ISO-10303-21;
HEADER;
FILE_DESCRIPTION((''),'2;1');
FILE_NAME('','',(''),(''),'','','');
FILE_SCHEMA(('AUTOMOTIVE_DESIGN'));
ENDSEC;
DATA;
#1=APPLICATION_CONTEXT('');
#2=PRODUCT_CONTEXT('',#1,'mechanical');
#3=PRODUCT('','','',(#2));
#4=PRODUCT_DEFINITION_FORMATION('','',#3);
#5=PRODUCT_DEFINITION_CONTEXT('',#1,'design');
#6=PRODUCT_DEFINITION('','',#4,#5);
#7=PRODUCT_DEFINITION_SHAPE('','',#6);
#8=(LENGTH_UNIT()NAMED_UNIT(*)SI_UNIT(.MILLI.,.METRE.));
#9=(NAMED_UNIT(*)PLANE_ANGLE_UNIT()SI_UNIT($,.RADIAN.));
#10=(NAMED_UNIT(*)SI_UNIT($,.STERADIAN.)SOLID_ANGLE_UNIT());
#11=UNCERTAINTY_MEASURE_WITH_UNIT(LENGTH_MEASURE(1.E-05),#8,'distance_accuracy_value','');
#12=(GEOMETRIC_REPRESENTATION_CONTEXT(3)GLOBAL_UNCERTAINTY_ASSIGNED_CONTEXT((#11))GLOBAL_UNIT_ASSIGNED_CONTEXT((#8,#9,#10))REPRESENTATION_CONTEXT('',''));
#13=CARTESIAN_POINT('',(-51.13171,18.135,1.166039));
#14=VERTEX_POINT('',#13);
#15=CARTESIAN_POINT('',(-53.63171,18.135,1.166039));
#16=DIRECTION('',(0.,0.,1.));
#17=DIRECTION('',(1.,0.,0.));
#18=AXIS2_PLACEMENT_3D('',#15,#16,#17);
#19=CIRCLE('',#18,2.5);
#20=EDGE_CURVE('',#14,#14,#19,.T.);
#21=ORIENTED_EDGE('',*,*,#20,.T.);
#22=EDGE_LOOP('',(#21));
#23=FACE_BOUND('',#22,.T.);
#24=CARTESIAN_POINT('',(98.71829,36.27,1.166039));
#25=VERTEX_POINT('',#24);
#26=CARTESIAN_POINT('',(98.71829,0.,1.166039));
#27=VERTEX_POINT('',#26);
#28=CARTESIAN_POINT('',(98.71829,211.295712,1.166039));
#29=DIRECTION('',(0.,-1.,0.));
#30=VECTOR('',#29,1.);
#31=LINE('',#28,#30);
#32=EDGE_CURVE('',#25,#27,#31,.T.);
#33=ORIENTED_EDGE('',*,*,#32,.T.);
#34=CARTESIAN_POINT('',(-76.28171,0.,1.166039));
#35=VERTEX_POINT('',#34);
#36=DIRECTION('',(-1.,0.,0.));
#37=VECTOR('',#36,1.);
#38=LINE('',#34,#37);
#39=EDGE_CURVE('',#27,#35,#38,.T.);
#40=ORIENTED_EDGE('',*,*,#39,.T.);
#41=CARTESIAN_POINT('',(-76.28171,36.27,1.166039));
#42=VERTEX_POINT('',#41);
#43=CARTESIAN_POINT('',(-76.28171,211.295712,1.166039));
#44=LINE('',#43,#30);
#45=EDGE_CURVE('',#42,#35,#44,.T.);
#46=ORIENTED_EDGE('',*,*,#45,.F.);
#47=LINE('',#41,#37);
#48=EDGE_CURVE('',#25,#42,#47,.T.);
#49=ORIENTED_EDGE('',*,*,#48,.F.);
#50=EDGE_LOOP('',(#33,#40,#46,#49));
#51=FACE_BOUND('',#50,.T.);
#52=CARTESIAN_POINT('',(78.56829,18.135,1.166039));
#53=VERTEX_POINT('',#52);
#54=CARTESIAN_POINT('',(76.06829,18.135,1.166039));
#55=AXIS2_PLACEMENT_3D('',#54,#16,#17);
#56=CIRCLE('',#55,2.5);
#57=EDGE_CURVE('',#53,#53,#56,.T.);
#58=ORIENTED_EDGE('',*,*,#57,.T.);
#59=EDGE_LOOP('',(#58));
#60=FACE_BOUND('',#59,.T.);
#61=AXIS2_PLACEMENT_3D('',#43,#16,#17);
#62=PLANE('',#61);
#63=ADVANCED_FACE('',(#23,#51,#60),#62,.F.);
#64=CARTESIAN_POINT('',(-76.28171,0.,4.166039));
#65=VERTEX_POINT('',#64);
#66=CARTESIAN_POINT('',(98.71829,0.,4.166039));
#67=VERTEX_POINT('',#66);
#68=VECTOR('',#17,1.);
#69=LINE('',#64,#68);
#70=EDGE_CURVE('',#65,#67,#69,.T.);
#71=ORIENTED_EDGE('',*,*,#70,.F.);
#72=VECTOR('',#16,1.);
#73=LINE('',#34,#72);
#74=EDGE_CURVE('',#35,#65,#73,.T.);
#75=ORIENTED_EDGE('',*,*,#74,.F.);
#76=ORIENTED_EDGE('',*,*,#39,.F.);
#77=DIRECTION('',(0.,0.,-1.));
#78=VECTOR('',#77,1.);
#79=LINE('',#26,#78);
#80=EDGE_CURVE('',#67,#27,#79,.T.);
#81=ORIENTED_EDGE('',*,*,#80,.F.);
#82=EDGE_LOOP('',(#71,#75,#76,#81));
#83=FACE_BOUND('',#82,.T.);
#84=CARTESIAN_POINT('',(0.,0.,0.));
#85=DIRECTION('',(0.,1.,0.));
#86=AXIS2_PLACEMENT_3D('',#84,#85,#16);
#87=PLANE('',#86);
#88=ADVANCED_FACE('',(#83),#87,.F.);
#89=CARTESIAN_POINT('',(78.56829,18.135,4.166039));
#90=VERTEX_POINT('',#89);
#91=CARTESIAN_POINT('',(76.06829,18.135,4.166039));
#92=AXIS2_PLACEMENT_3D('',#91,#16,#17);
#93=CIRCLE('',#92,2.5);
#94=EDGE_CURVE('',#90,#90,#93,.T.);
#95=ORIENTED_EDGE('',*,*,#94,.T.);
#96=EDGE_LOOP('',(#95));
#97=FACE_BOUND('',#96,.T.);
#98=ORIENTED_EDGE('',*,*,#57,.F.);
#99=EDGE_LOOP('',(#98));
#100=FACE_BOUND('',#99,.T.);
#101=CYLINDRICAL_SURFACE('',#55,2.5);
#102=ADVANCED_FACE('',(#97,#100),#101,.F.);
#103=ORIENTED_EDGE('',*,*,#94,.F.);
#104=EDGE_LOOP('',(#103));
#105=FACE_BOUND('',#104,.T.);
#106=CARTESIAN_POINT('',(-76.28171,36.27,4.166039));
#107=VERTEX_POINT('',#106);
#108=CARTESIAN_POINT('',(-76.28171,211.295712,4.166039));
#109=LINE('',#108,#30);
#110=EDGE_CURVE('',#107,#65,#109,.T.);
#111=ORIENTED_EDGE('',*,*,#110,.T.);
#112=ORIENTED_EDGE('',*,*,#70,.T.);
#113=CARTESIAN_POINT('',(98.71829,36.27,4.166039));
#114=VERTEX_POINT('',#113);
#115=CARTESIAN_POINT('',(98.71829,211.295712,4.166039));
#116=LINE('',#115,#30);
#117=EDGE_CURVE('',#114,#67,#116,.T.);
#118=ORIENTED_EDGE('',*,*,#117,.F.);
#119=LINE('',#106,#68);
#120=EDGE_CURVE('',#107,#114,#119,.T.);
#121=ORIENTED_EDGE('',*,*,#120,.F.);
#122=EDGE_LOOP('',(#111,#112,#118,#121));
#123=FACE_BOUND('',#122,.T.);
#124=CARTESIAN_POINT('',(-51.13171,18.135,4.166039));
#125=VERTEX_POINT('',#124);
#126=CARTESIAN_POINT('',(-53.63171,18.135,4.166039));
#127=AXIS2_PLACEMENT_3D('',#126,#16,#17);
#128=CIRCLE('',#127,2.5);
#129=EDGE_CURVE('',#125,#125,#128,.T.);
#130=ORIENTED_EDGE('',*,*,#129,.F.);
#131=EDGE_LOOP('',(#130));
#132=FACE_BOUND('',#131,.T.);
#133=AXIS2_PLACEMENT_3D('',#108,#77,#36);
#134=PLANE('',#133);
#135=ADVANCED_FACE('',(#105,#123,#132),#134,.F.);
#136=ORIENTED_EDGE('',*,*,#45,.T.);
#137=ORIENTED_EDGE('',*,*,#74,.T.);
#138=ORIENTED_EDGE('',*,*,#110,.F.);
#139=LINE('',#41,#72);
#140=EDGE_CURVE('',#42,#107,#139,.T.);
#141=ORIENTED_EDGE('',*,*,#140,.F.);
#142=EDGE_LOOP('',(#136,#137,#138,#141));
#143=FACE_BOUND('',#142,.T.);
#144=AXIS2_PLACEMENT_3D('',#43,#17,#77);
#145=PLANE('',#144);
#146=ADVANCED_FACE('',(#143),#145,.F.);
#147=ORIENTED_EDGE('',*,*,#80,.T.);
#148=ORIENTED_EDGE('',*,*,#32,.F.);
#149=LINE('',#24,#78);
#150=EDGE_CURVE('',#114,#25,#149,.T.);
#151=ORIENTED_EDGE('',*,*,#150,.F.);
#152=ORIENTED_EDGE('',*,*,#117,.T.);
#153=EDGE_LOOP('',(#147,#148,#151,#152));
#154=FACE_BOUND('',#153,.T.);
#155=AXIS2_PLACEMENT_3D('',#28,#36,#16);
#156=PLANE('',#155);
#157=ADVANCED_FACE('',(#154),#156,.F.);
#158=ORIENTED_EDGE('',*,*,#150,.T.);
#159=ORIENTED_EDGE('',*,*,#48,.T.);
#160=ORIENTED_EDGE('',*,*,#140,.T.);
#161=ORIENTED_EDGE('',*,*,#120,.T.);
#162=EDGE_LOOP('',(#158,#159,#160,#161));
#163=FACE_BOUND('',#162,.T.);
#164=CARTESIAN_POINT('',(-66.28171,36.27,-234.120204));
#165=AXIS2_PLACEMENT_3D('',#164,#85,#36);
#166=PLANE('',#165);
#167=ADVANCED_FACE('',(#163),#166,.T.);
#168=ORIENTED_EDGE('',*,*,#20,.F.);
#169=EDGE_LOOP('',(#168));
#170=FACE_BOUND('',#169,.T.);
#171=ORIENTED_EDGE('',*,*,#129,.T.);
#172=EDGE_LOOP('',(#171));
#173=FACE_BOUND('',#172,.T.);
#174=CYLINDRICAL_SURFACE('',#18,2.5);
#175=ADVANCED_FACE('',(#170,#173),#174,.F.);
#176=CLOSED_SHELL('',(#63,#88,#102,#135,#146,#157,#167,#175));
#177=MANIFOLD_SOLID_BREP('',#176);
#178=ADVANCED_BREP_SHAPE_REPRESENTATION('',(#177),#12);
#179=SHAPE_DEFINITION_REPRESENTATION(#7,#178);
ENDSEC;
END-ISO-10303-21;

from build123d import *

# Parameters (mm, degrees)
ESQUISSE2_W             = 175
ESQUISSE2_H             = 3
BOSS_EXTRU_1_DEPTH      = 36.27
ESQUISSE3_R             = 2.5
ENL_V_MAT_EXTRU_1_DEPTH = 106.213182302


with BuildPart() as part:
    # Esquisse2 → Boss.-Extru.1 (new body)
    with BuildSketch(Plane(origin=(0, 0, 0), x_dir=(1, 0, 0), z_dir=(0, 1, 0))):
        with Locations((11.218290251, -2.666038947)):
            Rectangle(ESQUISSE2_W, ESQUISSE2_H)
    extrude(amount=BOSS_EXTRU_1_DEPTH)

    # Esquisse3 → Enlèv. mat.-Extru.1 (cut, through all)
    with BuildSketch(Plane.XY.offset(4.166038947)):
        with Locations((-53.631709749, 18.135)):
            Circle(ESQUISSE3_R)
        with Locations((76.068290251, 18.135)):
            Circle(ESQUISSE3_R)
    extrude(amount=-ENL_V_MAT_EXTRU_1_DEPTH, mode=Mode.SUBTRACT)


solid = part.part
